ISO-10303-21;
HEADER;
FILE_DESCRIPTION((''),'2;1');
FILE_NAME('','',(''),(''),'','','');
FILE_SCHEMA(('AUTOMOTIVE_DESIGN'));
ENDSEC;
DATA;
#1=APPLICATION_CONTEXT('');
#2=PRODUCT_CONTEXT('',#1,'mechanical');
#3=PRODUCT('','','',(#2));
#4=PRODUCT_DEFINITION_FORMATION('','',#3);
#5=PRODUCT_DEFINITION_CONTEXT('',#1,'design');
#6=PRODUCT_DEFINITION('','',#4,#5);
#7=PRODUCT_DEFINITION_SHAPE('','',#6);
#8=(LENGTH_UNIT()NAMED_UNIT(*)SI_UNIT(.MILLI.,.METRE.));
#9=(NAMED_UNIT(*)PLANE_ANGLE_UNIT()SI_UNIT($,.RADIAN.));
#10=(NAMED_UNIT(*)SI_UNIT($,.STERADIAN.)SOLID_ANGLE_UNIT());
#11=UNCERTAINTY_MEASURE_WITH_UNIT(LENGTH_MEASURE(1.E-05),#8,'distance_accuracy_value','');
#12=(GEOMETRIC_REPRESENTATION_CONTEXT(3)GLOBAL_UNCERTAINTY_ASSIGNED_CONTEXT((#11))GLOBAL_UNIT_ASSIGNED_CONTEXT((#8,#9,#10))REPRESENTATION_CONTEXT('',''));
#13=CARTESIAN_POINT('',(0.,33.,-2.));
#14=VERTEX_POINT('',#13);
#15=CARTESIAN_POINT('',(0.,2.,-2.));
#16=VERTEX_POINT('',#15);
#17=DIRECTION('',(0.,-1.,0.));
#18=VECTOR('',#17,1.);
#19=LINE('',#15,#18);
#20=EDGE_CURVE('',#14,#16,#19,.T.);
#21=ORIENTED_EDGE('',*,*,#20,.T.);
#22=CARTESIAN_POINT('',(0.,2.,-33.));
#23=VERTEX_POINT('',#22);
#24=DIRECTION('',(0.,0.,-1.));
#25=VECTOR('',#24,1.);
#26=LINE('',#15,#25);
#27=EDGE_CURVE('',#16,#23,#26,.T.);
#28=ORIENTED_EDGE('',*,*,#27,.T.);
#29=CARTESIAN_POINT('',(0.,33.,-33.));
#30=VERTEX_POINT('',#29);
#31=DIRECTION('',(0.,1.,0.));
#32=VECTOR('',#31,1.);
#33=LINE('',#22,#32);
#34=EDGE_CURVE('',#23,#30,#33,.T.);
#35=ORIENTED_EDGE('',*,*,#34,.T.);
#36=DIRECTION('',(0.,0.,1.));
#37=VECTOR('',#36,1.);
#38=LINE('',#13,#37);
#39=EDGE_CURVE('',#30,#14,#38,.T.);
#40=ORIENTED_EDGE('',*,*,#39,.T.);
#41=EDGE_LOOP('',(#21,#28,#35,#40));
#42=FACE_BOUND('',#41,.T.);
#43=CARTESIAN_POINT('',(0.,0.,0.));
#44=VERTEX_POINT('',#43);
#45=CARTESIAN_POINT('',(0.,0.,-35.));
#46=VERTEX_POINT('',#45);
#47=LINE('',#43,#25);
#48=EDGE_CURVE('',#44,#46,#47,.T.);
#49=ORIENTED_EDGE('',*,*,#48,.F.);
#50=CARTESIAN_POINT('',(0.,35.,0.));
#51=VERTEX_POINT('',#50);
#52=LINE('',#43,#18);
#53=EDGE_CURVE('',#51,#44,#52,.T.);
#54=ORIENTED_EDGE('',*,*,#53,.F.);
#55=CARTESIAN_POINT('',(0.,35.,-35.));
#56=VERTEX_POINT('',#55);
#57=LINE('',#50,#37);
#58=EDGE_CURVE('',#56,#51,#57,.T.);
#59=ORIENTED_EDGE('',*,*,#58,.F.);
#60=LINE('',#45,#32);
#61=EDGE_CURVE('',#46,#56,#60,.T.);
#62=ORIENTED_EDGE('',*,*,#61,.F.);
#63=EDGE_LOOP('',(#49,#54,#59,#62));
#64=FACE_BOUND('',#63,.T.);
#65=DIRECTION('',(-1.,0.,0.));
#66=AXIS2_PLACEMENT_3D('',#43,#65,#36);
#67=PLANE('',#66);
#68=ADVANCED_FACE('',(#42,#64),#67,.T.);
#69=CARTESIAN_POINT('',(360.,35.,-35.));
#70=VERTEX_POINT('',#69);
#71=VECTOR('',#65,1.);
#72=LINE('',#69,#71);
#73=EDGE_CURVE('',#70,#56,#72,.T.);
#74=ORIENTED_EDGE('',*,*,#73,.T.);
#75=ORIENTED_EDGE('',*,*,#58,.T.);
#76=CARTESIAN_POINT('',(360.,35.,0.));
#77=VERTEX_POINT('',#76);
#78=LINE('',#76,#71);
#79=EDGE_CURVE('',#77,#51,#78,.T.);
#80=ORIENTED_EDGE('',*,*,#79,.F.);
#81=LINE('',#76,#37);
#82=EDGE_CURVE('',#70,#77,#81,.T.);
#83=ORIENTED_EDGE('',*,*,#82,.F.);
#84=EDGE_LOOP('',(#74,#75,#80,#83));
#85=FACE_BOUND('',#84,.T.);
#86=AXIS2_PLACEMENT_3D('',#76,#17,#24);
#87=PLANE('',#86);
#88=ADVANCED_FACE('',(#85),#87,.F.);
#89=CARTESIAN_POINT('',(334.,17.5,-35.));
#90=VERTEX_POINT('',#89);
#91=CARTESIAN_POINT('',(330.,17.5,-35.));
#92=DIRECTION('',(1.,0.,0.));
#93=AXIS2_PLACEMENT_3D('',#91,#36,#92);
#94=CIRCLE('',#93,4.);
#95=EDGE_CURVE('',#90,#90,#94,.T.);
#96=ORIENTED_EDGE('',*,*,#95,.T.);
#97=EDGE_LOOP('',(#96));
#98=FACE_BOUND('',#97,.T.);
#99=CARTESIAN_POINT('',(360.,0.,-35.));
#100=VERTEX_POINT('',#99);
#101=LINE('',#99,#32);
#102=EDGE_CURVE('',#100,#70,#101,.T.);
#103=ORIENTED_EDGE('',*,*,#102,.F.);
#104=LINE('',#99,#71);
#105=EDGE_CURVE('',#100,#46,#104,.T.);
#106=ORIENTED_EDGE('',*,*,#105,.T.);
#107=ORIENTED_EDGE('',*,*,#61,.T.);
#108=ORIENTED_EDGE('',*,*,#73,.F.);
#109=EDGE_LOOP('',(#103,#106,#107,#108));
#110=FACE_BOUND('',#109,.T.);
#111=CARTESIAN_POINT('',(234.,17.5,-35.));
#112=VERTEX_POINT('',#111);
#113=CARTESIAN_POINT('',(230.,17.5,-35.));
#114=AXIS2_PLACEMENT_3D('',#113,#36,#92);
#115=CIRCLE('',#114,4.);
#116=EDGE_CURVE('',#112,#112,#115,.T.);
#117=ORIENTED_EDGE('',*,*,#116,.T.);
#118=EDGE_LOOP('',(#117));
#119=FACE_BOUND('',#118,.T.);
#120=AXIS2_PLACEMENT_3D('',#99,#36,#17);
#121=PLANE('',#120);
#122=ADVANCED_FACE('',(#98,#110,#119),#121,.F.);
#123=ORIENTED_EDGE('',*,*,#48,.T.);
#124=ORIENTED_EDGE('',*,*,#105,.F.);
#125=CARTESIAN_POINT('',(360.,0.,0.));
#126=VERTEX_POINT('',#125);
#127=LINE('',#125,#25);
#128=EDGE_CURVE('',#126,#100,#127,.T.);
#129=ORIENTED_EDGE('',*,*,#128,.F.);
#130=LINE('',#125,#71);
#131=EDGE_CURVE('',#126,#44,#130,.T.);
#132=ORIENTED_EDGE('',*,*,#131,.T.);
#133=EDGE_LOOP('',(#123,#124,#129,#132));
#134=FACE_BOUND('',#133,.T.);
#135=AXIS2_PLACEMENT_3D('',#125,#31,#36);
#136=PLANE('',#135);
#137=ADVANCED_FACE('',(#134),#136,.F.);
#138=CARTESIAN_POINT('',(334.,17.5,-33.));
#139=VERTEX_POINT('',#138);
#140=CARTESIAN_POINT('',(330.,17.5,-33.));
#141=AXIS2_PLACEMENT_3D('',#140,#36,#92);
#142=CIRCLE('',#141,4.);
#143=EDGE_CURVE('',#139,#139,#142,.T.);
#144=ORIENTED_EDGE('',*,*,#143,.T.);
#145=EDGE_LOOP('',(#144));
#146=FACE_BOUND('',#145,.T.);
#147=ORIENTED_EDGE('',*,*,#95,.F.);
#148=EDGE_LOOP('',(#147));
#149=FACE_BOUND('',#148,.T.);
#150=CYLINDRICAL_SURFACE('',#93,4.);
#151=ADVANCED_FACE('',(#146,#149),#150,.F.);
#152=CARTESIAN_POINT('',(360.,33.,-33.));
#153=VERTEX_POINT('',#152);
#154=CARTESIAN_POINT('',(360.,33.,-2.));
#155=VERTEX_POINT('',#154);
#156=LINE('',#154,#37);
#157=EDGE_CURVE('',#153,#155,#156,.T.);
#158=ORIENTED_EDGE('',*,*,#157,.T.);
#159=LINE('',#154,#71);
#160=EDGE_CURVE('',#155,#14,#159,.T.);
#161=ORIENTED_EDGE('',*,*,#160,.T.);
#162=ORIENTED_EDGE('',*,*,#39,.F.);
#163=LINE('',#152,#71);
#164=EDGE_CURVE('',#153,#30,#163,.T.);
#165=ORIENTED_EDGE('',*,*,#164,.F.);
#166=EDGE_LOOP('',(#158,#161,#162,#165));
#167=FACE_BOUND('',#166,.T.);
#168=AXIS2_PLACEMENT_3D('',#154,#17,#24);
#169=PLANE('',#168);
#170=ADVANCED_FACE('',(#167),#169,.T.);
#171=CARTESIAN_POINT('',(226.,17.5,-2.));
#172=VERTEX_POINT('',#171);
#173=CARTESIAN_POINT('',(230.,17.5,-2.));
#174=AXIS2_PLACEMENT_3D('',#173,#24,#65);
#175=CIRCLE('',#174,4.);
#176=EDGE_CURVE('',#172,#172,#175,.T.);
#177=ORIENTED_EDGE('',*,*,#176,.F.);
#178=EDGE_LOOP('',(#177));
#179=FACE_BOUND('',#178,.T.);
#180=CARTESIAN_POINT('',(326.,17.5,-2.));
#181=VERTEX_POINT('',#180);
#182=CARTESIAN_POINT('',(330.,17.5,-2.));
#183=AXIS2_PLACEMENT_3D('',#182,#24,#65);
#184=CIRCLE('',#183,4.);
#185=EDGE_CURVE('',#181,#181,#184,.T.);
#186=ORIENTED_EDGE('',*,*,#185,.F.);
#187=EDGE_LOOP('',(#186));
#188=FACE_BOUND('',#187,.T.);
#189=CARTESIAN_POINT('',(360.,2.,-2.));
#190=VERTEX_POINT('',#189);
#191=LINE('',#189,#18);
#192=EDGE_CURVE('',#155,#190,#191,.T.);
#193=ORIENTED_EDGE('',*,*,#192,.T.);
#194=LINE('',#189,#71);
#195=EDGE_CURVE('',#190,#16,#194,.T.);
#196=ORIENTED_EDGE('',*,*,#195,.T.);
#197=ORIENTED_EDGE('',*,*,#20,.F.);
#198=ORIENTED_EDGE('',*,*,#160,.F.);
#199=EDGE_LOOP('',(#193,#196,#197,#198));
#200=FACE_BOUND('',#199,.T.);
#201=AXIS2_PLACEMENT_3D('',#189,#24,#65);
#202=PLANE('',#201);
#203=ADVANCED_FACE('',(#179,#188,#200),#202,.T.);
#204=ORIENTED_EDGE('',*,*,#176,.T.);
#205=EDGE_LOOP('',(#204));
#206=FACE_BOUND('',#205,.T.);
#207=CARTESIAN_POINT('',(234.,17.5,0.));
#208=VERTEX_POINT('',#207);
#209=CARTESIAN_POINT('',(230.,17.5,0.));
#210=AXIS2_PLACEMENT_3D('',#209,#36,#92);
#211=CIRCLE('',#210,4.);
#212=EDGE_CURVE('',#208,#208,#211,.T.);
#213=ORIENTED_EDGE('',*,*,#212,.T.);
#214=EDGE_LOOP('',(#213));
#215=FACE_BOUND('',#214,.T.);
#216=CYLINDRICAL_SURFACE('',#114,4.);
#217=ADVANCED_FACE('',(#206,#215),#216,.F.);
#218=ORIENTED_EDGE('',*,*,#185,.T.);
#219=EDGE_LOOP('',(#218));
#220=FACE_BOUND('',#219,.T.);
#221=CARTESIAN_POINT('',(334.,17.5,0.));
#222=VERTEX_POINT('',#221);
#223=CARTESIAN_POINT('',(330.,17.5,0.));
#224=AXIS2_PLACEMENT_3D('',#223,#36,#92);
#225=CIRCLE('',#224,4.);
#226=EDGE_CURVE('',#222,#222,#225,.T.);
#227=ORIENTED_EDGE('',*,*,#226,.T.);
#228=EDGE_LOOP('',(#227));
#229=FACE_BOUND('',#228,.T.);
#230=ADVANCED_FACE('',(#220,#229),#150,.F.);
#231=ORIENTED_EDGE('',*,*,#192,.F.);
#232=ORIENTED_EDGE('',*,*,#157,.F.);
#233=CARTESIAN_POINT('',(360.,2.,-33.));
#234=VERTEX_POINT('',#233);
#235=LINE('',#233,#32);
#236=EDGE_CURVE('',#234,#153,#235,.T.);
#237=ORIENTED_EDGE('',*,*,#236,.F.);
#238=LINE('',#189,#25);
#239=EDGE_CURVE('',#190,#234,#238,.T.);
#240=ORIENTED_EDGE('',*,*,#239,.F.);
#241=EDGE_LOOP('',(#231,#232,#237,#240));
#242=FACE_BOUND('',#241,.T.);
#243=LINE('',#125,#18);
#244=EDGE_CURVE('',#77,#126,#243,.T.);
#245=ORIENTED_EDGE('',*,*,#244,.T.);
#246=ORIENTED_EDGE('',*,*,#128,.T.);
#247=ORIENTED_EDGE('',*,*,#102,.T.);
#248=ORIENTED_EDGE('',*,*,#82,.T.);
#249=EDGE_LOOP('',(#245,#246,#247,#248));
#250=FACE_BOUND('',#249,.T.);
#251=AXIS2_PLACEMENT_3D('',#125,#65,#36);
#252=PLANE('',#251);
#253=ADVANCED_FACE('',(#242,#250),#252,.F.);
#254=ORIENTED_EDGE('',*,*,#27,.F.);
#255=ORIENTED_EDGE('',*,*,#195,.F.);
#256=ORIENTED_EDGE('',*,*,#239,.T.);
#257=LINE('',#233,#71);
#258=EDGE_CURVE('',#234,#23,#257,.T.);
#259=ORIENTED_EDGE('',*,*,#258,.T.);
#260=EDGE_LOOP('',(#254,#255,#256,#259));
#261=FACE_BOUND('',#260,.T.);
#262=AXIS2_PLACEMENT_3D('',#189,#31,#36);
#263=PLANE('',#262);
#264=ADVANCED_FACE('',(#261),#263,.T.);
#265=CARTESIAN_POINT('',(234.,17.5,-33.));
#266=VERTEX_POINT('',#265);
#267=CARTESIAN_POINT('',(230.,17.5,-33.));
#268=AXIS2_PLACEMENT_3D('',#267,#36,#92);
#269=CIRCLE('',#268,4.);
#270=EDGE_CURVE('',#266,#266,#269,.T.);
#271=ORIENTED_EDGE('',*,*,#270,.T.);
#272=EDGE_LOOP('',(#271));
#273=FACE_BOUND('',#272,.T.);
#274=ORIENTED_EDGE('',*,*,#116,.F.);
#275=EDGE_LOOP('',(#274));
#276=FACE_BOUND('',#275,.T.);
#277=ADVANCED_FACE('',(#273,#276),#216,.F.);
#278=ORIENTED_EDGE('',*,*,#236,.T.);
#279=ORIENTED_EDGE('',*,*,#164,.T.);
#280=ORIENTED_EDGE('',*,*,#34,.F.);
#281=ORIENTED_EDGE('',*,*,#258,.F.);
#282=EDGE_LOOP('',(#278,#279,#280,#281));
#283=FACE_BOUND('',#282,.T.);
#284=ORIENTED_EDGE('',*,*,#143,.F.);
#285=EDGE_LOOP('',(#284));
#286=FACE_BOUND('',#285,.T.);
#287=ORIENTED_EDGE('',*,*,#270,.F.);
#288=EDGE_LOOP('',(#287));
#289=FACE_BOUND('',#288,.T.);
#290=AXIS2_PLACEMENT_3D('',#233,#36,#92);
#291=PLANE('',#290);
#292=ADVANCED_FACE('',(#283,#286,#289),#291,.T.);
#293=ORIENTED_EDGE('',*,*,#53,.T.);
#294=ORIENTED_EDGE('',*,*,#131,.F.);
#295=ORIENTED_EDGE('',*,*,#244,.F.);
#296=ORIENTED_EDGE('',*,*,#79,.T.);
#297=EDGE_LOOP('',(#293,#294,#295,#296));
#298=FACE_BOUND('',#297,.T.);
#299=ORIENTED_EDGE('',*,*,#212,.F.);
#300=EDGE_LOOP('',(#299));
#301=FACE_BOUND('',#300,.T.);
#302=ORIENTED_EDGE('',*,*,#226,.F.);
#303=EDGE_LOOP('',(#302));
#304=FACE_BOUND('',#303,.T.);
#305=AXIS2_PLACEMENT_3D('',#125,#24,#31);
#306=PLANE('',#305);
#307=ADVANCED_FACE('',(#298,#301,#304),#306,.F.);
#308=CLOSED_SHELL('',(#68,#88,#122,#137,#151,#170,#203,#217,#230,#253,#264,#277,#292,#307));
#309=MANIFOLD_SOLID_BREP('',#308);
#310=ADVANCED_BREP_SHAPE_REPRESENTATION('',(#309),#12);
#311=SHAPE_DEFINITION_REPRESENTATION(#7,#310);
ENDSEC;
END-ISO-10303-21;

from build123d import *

# Parameters (mm, degrees)
SKETCH1_W           = 35
SKETCH1_H           = 35
SKETCH1_W_2         = 31
SKETCH1_H_2         = 31
BOSS_EXTRUDE1_DEPTH = 360
SKETCH2_R           = 4
CUT_EXTRUDE1_DEPTH  = 364.386846212


with BuildPart() as part:
    # Sketch1 → Boss-Extrude1 (new body)
    with BuildSketch(Plane(origin=(0, 0, 0), x_dir=(0, 0, -1), z_dir=(1, 0, 0))):
        with Locations((17.5, 17.5)):
            Rectangle(SKETCH1_W, SKETCH1_H)
        with Locations((17.5, 17.5)):
            Rectangle(SKETCH1_W_2, SKETCH1_H_2, mode=Mode.SUBTRACT)
    extrude(amount=BOSS_EXTRUDE1_DEPTH)

    # Sketch2 → Cut-Extrude1 (cut, through all)
    with BuildSketch(Plane.XY):
        with Locations((330, 17.5)):
            Circle(SKETCH2_R)
        with Locations((230, 17.5)):
            Circle(SKETCH2_R)
    extrude(amount=-CUT_EXTRUDE1_DEPTH, mode=Mode.SUBTRACT)


solid = part.part
